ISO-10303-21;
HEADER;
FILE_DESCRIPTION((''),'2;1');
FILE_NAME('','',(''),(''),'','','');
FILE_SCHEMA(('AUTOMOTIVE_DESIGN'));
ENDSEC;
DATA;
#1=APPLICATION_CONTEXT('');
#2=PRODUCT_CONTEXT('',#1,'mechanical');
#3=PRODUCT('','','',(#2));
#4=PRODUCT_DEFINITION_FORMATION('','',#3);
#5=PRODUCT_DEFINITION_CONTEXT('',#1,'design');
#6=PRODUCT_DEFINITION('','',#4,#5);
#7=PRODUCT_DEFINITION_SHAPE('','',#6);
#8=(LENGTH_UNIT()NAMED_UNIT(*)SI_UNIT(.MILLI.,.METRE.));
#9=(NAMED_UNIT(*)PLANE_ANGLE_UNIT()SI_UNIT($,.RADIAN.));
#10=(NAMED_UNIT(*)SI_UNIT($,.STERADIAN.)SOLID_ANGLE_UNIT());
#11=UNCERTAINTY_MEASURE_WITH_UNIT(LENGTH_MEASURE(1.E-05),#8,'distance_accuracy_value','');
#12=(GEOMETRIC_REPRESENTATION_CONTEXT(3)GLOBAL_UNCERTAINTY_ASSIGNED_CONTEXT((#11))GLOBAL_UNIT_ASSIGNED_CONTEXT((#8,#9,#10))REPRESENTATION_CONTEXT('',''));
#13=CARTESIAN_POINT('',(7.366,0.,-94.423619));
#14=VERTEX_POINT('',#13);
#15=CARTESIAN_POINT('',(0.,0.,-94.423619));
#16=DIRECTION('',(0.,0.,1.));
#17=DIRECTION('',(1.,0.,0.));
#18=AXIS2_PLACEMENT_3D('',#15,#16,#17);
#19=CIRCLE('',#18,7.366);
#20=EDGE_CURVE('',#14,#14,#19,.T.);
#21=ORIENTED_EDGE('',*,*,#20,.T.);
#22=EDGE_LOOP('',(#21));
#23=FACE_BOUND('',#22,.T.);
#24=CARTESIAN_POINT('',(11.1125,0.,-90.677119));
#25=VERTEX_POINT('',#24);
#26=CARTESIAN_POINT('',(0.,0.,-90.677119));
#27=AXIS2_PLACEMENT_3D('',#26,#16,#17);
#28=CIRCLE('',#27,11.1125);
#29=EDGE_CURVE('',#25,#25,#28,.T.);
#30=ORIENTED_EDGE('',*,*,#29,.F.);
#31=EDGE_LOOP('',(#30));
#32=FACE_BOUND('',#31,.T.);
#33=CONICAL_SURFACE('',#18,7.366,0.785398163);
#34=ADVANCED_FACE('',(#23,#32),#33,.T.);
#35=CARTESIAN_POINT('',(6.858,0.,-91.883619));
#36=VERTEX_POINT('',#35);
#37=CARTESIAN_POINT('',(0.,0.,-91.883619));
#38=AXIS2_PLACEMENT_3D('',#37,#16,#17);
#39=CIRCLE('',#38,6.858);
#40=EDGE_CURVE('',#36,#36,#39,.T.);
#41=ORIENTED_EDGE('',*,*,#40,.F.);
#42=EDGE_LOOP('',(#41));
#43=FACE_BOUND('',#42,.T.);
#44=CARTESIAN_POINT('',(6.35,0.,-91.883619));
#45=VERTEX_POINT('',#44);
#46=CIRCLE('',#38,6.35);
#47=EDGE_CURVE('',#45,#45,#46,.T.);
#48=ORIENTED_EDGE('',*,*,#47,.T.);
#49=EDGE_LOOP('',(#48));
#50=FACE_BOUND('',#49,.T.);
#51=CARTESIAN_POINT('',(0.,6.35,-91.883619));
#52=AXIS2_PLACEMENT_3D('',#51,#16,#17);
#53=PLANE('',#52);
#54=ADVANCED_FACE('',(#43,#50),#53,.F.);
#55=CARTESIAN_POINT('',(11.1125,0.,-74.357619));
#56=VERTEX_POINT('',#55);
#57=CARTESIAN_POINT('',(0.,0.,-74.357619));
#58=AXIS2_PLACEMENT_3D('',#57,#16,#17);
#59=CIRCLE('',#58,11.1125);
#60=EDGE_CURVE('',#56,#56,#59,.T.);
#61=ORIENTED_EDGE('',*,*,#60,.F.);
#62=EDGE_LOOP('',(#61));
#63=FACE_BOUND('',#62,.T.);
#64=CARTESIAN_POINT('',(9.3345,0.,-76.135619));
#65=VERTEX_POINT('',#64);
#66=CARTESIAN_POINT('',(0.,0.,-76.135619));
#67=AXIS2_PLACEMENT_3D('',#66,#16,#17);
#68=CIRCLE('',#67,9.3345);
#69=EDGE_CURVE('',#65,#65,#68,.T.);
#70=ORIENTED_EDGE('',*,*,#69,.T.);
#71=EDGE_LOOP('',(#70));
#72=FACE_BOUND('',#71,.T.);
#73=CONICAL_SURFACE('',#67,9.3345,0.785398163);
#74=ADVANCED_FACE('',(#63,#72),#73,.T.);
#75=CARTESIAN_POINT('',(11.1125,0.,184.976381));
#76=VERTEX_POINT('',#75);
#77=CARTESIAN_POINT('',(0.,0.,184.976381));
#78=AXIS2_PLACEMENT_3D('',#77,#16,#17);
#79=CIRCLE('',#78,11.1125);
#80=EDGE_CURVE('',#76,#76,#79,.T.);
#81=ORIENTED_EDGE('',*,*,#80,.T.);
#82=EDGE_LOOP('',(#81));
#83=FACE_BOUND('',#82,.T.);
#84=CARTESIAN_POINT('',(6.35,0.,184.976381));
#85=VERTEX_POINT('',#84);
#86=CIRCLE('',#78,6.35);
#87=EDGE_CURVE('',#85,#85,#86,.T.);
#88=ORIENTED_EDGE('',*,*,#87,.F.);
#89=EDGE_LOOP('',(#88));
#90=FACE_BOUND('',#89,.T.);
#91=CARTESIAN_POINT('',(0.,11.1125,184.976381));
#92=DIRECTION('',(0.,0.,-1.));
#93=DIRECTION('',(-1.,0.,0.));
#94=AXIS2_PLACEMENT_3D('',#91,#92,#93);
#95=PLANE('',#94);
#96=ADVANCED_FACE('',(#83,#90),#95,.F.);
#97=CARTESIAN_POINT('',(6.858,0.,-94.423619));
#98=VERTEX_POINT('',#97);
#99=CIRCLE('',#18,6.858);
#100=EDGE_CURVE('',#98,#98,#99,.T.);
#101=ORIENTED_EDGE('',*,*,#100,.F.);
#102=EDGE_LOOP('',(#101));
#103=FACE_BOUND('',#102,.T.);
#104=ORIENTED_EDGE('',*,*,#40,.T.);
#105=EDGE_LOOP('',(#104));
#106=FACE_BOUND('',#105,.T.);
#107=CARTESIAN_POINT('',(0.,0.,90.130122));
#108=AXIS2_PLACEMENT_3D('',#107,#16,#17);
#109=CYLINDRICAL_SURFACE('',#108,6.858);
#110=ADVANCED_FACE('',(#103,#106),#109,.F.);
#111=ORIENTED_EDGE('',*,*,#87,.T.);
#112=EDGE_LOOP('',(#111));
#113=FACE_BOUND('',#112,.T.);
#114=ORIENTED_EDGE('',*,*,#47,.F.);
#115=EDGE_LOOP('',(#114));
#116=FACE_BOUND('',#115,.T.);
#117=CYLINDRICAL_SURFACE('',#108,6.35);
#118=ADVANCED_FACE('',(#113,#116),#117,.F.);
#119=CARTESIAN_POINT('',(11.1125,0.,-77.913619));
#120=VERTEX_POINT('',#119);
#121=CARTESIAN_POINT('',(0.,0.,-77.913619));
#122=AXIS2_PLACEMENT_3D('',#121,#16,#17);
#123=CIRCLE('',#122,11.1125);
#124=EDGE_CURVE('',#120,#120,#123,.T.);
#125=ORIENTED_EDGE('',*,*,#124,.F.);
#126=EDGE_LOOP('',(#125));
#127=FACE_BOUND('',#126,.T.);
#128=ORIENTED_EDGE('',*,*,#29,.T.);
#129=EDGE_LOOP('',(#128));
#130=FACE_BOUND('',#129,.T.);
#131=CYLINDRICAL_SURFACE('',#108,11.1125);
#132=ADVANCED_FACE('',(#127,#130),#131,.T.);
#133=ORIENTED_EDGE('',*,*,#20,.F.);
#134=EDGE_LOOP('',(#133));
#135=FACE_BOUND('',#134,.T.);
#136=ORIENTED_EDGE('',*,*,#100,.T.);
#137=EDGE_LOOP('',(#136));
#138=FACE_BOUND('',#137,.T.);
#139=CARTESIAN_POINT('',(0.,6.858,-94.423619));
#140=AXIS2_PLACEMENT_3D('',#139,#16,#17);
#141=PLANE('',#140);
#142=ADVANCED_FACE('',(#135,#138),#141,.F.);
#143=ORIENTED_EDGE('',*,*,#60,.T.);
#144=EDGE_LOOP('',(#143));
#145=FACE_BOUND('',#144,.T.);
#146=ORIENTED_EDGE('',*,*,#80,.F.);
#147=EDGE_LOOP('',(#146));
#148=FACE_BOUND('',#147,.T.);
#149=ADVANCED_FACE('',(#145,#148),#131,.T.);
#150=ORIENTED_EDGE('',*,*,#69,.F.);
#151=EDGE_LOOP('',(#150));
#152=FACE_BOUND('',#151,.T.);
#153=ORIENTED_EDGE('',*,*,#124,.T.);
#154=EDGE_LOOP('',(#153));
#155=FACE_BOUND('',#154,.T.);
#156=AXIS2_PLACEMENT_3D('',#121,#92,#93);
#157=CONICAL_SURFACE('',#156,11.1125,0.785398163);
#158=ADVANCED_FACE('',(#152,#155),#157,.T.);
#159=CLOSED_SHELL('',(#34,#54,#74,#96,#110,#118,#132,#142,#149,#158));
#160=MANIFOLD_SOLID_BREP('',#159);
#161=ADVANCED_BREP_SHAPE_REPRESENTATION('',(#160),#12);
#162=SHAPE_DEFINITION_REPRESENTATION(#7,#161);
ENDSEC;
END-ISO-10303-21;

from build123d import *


with BuildPart() as part:
    # Sketch1 → Revolve1 (revolve)
    with BuildSketch(Plane(origin=(0, 0, 0), x_dir=(0, 0, -1), z_dir=(1, 0, 0)), mode=Mode.PRIVATE) as revolve1_sk:
        Polygon((-184.976381406, 6.35), (91.883618594, 6.35), (91.883618594, 6.858), (94.423618594, 6.858), (94.423618594, 7.366), (90.677118594, 11.1125), (77.913618594, 11.1125), (76.135618594, 9.3345), (74.357618594, 11.1125), (-184.976381406, 11.1125), align=None)
    revolve(revolve1_sk.sketch.rotate(Axis((0, 0, 90.130122331), (0, 0, -1)), 90), axis=Axis((0, 0, 90.130122331), (0, 0, -1)))  # turned: the seam where the file's is


solid = part.part
